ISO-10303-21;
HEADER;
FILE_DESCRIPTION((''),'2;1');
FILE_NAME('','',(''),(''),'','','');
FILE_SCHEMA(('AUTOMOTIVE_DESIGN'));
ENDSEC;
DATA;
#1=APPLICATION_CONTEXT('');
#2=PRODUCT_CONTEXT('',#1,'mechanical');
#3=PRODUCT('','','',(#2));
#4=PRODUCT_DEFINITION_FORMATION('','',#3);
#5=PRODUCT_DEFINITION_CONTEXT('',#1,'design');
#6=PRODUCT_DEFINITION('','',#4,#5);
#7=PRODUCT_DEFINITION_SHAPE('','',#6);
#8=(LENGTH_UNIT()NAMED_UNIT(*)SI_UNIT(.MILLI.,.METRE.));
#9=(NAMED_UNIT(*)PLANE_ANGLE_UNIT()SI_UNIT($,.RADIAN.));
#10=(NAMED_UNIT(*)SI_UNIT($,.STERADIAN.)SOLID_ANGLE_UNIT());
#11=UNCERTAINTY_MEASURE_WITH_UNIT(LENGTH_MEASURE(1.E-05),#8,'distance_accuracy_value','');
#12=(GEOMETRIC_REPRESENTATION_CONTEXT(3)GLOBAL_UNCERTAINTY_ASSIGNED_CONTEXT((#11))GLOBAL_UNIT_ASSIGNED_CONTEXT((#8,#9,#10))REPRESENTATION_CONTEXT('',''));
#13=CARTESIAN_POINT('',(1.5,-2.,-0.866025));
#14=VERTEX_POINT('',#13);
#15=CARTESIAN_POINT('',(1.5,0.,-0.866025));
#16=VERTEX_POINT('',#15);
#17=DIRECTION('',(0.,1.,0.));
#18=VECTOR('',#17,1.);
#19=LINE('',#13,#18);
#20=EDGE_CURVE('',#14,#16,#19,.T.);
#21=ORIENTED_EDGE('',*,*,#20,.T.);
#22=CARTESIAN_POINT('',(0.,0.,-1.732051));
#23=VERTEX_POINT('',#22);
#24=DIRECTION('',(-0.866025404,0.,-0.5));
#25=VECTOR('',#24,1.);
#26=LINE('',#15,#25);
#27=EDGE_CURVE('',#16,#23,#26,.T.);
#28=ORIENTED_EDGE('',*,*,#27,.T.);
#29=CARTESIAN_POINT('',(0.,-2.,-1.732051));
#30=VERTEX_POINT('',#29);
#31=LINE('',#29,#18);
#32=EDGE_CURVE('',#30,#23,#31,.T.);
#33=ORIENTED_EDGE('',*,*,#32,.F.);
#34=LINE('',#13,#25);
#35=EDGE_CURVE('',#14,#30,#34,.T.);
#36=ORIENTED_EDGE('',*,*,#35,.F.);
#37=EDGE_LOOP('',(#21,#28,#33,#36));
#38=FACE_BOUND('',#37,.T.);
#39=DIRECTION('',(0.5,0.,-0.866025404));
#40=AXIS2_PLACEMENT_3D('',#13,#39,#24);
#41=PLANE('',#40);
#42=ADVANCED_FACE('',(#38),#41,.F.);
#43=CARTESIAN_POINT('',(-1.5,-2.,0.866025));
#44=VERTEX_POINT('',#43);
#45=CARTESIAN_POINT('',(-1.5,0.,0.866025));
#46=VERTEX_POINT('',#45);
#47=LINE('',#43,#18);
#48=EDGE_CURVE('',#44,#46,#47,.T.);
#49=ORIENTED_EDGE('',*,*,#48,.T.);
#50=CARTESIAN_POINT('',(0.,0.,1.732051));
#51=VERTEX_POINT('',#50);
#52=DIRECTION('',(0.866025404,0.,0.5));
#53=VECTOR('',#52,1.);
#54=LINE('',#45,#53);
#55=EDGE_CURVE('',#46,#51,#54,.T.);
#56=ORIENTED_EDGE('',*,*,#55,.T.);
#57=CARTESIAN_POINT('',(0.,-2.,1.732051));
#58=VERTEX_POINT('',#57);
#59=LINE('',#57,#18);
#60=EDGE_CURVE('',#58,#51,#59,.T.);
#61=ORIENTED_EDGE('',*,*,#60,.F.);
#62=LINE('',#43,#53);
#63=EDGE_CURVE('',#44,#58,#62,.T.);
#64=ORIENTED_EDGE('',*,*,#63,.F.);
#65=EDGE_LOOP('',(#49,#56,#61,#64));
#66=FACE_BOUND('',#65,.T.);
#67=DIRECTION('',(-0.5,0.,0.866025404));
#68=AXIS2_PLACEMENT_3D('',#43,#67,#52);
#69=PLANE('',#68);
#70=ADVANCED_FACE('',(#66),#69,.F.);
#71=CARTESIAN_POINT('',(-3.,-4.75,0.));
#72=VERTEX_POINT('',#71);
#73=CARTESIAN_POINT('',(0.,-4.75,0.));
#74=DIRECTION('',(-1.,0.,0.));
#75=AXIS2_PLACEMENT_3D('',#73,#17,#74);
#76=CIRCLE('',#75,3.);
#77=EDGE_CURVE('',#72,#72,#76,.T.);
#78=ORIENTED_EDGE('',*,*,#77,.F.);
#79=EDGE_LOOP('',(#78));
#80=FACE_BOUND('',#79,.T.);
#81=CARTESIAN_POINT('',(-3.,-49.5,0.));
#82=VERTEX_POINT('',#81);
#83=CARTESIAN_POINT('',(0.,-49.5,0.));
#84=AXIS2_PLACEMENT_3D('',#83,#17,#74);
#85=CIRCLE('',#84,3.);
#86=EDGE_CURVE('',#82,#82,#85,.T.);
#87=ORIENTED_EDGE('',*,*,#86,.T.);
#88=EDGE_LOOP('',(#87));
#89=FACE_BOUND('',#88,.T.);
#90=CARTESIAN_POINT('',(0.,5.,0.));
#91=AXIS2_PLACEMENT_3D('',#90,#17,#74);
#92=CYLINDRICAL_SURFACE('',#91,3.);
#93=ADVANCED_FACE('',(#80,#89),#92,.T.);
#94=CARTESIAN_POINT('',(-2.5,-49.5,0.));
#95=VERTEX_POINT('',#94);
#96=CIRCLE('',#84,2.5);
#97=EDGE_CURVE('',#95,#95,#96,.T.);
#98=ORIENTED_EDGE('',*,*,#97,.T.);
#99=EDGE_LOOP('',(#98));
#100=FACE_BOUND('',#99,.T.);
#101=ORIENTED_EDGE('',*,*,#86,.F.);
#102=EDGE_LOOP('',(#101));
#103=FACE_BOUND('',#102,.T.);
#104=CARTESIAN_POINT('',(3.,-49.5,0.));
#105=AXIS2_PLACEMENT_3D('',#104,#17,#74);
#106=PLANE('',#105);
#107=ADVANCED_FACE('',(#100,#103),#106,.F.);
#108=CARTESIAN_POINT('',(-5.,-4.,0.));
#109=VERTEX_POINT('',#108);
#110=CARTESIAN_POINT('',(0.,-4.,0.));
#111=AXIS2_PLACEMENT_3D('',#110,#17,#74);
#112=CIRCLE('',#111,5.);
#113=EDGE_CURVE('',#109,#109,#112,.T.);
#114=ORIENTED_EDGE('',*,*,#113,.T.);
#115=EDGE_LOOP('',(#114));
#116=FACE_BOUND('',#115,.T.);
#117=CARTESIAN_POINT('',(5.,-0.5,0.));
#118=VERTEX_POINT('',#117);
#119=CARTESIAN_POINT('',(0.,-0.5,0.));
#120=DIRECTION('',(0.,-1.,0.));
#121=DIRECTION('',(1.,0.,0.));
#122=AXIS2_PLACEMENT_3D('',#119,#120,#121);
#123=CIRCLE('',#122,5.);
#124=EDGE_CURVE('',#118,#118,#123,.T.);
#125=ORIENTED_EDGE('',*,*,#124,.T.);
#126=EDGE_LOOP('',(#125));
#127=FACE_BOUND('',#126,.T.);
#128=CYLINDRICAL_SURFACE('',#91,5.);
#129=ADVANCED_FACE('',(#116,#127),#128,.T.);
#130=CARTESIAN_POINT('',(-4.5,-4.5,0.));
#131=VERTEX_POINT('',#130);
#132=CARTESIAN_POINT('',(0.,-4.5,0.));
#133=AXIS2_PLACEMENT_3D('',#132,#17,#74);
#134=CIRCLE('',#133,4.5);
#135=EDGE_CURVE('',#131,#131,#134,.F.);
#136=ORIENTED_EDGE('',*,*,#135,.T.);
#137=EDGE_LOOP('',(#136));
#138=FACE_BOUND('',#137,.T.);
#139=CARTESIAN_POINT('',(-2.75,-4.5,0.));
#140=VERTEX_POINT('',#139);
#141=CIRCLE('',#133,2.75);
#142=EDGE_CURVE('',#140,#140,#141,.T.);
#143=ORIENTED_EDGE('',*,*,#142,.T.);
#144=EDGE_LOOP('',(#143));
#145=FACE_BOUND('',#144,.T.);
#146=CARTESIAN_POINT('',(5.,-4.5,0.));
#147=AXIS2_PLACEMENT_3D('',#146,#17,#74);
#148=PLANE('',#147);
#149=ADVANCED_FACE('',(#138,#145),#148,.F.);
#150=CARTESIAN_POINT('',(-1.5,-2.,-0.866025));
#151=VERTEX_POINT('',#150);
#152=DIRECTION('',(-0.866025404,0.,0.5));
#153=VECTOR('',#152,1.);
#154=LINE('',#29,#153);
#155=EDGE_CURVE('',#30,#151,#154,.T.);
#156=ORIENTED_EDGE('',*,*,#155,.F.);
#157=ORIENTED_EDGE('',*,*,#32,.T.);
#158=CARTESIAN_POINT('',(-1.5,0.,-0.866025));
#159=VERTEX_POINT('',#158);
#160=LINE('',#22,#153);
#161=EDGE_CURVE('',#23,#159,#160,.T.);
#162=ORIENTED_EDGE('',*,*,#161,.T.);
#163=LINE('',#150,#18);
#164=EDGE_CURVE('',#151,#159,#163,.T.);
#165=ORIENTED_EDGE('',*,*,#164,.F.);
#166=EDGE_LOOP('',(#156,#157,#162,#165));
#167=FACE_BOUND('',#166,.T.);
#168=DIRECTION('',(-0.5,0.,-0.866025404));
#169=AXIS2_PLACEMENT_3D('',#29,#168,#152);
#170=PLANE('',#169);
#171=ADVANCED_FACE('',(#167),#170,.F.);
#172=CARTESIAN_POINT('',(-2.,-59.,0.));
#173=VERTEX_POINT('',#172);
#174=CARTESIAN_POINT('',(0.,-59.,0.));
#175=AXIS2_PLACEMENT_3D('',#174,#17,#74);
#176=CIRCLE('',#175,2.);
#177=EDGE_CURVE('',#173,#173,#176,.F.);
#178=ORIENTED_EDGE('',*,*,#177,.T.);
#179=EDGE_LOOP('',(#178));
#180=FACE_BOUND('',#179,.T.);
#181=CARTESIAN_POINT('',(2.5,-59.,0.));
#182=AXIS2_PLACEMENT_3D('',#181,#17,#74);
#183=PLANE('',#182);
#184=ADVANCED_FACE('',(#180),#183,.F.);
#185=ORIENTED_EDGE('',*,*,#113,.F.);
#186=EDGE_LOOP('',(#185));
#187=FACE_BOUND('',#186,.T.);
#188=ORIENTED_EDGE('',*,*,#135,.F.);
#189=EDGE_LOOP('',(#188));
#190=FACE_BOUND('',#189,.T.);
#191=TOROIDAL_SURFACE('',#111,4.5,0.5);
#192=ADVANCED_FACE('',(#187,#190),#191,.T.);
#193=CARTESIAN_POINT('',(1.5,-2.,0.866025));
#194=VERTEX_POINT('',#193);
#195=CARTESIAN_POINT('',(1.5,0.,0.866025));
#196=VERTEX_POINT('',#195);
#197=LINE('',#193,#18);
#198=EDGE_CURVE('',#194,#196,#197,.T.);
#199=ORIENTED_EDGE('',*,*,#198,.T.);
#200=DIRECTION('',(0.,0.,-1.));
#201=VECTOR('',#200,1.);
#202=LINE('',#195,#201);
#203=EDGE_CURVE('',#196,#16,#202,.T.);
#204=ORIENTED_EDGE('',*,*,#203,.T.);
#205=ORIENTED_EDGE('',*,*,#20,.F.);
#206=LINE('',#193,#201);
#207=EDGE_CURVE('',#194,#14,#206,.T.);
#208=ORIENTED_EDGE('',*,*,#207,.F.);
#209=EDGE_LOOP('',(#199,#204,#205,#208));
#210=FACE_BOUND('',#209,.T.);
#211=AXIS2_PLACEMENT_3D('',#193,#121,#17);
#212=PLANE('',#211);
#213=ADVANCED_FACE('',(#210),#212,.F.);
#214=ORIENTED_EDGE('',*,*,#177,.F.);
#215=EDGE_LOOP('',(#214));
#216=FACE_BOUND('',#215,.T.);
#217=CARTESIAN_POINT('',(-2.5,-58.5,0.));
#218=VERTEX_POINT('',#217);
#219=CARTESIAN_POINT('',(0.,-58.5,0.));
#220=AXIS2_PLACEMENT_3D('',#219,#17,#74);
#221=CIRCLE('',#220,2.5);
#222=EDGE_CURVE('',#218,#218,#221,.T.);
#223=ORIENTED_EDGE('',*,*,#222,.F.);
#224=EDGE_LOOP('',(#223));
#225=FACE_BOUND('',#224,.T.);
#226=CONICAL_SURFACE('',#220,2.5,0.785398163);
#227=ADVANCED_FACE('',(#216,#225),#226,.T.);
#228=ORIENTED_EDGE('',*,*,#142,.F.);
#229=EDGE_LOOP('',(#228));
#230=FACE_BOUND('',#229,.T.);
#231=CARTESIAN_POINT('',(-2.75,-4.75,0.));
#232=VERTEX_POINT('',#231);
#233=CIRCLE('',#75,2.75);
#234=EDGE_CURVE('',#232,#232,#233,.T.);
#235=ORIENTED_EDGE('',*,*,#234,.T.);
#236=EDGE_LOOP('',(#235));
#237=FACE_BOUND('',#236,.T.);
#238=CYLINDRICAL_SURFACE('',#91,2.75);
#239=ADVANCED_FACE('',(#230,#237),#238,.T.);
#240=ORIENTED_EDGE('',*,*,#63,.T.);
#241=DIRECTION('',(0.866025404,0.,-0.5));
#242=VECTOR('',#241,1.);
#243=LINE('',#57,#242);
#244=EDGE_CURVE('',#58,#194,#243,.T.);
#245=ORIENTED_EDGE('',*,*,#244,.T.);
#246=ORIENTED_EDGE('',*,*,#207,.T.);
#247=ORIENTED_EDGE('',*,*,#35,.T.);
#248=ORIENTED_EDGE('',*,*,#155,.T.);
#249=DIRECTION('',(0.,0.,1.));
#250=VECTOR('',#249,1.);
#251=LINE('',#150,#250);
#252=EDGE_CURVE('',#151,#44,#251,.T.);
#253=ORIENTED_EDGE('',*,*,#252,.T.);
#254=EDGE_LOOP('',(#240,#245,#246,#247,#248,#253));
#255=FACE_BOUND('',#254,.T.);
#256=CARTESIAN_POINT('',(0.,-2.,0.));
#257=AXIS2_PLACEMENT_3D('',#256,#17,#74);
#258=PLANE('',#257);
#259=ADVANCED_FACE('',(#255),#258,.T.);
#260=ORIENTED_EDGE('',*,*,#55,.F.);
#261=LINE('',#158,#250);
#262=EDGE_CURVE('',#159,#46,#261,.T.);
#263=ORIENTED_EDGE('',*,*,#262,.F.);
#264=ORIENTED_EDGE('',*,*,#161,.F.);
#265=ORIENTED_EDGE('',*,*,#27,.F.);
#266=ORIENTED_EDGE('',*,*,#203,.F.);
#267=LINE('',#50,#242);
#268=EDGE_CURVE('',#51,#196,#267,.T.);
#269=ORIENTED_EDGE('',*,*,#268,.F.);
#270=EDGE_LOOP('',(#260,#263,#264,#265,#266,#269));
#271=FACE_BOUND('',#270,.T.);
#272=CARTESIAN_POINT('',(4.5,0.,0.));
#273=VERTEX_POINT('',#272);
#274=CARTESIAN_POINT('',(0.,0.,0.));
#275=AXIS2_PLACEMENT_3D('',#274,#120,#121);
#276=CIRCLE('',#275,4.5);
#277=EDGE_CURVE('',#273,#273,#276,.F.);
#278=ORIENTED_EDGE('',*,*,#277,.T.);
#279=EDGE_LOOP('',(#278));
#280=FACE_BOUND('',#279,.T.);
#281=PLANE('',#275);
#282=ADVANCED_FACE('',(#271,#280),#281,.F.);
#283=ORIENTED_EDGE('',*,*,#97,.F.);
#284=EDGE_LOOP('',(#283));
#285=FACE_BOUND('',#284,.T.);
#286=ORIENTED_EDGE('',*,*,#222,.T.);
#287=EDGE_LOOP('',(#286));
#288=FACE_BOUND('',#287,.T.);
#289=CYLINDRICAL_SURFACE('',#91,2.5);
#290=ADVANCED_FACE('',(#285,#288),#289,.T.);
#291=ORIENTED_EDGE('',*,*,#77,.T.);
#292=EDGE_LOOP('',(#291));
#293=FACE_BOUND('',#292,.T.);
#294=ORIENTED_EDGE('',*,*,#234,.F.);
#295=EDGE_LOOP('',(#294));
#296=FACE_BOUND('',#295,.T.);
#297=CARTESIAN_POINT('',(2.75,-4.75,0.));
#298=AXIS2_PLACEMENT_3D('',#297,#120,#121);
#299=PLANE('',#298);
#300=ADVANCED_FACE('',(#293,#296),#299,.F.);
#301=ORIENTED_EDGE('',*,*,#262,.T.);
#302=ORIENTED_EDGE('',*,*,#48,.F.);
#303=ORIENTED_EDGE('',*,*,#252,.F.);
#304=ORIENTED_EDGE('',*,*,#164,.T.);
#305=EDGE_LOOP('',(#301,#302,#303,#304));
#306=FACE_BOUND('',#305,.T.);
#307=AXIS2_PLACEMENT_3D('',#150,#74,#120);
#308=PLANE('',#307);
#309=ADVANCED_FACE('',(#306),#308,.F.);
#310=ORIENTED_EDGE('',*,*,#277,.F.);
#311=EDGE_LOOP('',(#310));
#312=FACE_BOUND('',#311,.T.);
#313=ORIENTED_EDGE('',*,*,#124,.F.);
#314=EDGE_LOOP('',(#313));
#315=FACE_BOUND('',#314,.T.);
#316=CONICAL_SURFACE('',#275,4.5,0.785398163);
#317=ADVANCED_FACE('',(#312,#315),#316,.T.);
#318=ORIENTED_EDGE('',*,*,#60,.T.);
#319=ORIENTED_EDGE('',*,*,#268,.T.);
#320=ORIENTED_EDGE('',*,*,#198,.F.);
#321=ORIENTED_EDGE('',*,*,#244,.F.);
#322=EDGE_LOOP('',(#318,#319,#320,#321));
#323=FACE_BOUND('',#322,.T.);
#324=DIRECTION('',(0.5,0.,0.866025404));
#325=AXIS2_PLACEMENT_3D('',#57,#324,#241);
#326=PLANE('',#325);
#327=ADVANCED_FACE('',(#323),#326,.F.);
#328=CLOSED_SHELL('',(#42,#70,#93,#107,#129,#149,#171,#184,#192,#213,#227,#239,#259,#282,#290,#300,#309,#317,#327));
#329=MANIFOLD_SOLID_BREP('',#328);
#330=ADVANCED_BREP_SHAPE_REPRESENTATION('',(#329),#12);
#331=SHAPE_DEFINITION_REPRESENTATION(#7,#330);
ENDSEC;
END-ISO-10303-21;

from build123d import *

# Parameters (mm, degrees)
CUT_EXTRUDE1_DEPTH = 2
CHAMFER1_SIZE      = 0.5
FILLET1_R          = 0.5
CHAMFER2_SIZE      = 0.5


with BuildPart() as part:
    # Sketch1 → Revolve1 (revolve)
    with BuildSketch(Plane.XY, mode=Mode.PRIVATE) as revolve1_sk:
        Polygon((0, 0), (5, 0), (5, -4.5), (2.75, -4.5), (2.75, -4.75), (3, -4.75), (3, -49.5), (2.5, -49.5), (2.5, -59), (0, -59), align=None)
    revolve(revolve1_sk.sketch.rotate(Axis((0, 5, 0), (0, -1, 0)), 180), axis=Axis((0, 5, 0), (0, -1, 0)))

    # Sketch2 → Cut-Extrude1 (cut)
    with BuildSketch(Plane(origin=(0, 0, 0), x_dir=(1, 0, 0), z_dir=(0, 1, 0))):
        Polygon((0, -1.732050808), (1.5, -0.866025404), (1.5, 0.866025404), (0, 1.732050808), (-1.5, 0.866025404), (-1.5, -0.866025404), align=None)
    extrude(amount=-CUT_EXTRUDE1_DEPTH, mode=Mode.SUBTRACT)

    # Chamfer1
    chamfer1_edges = [part.edges().sort_by_distance(p)[0] for p in [
        (5, 0, 0),
    ]]
    chamfer(chamfer1_edges, length=CHAMFER1_SIZE)

    # Fillet1
    fillet1_edges = [part.edges().sort_by_distance(p)[0] for p in [
        (5, -4.5, 0),
    ]]
    fillet(fillet1_edges, radius=FILLET1_R)

    # Chamfer2
    chamfer2_edges = [part.edges().sort_by_distance(p)[0] for p in [
        (2.5, -59, 0),
    ]]
    chamfer(chamfer2_edges, length=CHAMFER2_SIZE)


solid = part.part
